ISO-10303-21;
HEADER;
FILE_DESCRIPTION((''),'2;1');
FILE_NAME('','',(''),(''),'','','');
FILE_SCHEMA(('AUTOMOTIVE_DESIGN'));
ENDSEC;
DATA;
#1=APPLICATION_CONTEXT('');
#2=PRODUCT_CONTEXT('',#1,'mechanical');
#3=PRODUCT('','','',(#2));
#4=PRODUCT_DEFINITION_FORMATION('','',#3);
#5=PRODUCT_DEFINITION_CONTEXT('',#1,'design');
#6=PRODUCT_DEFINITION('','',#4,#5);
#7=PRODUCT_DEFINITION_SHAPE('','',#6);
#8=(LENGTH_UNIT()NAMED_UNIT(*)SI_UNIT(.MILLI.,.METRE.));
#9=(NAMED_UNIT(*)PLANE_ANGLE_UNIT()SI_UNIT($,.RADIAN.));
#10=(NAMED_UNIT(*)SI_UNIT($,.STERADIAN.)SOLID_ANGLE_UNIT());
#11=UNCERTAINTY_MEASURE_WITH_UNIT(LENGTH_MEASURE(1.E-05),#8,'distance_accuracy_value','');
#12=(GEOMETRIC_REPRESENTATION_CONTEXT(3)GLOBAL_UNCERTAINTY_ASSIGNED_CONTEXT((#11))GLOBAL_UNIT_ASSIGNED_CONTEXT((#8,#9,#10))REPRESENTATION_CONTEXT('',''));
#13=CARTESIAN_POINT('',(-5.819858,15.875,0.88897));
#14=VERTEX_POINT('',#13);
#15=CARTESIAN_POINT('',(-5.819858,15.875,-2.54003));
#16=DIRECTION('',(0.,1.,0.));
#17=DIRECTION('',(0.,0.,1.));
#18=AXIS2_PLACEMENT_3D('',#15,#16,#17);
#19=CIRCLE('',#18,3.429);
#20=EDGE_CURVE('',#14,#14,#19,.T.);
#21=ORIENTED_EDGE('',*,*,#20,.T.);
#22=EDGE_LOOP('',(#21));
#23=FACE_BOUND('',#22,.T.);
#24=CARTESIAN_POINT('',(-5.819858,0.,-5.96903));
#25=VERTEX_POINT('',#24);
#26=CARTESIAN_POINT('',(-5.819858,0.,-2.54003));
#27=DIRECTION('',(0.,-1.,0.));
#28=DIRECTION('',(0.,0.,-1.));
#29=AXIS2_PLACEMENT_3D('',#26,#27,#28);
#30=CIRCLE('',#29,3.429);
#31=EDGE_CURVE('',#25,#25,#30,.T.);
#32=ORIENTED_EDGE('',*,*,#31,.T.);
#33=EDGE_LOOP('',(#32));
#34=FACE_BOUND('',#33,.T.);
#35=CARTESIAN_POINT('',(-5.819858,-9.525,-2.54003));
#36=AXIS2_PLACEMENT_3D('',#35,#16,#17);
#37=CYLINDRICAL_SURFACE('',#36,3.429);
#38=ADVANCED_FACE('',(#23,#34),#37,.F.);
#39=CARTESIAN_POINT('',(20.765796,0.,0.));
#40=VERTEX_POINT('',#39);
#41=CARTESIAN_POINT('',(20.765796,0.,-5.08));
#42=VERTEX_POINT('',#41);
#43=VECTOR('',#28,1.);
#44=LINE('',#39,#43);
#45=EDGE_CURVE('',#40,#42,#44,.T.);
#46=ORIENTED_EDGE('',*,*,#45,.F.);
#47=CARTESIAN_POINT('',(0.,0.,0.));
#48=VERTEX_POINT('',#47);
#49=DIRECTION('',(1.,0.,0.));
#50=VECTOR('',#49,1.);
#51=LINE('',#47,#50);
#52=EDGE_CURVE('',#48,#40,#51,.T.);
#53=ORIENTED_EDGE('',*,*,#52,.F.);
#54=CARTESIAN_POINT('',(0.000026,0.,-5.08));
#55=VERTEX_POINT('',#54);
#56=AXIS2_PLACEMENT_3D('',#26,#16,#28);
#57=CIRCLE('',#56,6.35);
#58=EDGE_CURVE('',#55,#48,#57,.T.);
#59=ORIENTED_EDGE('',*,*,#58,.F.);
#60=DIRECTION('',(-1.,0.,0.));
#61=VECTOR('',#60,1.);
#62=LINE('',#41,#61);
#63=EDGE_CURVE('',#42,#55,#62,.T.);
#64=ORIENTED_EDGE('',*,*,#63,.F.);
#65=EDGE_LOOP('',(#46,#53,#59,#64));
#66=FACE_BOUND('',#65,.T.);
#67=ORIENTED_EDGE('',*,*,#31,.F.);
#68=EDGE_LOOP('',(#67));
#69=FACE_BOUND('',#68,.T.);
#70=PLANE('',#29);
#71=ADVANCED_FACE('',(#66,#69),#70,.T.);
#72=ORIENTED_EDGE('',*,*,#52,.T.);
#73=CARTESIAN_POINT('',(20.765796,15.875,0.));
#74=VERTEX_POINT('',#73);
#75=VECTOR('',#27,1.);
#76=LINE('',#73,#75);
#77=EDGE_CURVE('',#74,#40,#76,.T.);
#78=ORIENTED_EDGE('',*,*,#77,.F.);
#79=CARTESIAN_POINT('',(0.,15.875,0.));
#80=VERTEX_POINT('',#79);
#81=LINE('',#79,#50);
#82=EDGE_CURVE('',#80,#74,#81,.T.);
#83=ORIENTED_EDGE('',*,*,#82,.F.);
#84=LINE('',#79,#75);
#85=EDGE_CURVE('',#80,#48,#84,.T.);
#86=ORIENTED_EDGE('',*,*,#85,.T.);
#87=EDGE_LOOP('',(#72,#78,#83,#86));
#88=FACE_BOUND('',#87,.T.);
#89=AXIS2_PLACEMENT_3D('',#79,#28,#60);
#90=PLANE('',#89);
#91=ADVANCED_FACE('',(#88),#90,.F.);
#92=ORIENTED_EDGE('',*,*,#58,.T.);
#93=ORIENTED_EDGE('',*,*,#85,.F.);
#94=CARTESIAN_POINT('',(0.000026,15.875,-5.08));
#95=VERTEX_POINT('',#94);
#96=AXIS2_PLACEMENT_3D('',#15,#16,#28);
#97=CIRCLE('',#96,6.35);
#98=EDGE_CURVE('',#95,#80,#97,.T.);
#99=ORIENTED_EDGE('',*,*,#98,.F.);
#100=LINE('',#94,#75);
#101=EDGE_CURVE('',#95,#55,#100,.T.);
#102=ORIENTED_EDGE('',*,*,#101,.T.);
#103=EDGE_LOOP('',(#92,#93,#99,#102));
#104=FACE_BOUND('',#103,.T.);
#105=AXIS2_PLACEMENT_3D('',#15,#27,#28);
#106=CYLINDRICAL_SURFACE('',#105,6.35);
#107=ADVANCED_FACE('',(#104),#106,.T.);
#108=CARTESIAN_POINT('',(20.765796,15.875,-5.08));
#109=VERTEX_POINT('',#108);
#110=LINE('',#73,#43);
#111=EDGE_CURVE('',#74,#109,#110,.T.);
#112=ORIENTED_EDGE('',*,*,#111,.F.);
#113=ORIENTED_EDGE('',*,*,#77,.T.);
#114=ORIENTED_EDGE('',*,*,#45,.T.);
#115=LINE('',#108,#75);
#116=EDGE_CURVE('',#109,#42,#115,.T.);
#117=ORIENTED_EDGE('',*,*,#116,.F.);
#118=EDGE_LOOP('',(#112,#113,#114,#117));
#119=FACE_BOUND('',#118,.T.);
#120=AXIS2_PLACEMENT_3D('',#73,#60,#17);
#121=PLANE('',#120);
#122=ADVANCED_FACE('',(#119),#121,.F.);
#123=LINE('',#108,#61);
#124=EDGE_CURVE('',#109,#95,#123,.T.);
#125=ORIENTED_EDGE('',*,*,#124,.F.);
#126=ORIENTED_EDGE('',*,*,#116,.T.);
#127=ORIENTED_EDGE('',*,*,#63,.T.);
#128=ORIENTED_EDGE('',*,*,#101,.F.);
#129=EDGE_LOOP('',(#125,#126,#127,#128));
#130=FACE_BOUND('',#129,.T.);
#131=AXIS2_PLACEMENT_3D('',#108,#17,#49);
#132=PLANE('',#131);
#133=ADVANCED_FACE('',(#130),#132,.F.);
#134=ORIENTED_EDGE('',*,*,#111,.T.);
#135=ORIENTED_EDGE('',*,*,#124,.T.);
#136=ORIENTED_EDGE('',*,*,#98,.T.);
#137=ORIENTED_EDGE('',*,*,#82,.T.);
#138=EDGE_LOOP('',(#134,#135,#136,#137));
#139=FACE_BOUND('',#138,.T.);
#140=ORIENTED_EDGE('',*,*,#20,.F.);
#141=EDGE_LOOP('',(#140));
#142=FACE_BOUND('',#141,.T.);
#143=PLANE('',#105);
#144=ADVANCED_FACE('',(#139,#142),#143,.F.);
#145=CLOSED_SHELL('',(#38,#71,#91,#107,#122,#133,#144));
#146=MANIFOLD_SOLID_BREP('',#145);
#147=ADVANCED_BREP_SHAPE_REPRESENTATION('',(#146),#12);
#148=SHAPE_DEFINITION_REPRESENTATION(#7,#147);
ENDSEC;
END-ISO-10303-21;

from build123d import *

# Parameters (mm, degrees)
BOSS_EXTRUDE1_DEPTH = 15.875
SKETCH5_R           = 3.429
CUT_EXTRUDE1_DEPTH  = 25.4


with BuildPart() as part:
    # Sketch2 → Boss-Extrude1 (new body)
    with BuildSketch(Plane(origin=(0, 0, 0), x_dir=(1, 0, 0), z_dir=(0, 1, 0))):
        with BuildLine():
            Line((0, 0), (20.765796053, 0))
            Line((20.765796053, 0), (20.765796053, 5.08))
            Line((20.765796053, 5.08), (2.6053e-05, 5.08))
            ThreePointArc((2.6053e-05, 5.08), (-12.169858106, 2.540062415), (0, 0))
        make_face()
    extrude(amount=BOSS_EXTRUDE1_DEPTH)

    # Sketch5 → Cut-Extrude1 (cut)
    with BuildSketch(Plane(origin=(0, 15.875, 0), x_dir=(1, 0, 0), z_dir=(0, 1, 0))):
        with Locations((-5.819858106, 2.540029848)):
            Circle(SKETCH5_R)
    extrude(amount=-CUT_EXTRUDE1_DEPTH, mode=Mode.SUBTRACT)


solid = part.part
